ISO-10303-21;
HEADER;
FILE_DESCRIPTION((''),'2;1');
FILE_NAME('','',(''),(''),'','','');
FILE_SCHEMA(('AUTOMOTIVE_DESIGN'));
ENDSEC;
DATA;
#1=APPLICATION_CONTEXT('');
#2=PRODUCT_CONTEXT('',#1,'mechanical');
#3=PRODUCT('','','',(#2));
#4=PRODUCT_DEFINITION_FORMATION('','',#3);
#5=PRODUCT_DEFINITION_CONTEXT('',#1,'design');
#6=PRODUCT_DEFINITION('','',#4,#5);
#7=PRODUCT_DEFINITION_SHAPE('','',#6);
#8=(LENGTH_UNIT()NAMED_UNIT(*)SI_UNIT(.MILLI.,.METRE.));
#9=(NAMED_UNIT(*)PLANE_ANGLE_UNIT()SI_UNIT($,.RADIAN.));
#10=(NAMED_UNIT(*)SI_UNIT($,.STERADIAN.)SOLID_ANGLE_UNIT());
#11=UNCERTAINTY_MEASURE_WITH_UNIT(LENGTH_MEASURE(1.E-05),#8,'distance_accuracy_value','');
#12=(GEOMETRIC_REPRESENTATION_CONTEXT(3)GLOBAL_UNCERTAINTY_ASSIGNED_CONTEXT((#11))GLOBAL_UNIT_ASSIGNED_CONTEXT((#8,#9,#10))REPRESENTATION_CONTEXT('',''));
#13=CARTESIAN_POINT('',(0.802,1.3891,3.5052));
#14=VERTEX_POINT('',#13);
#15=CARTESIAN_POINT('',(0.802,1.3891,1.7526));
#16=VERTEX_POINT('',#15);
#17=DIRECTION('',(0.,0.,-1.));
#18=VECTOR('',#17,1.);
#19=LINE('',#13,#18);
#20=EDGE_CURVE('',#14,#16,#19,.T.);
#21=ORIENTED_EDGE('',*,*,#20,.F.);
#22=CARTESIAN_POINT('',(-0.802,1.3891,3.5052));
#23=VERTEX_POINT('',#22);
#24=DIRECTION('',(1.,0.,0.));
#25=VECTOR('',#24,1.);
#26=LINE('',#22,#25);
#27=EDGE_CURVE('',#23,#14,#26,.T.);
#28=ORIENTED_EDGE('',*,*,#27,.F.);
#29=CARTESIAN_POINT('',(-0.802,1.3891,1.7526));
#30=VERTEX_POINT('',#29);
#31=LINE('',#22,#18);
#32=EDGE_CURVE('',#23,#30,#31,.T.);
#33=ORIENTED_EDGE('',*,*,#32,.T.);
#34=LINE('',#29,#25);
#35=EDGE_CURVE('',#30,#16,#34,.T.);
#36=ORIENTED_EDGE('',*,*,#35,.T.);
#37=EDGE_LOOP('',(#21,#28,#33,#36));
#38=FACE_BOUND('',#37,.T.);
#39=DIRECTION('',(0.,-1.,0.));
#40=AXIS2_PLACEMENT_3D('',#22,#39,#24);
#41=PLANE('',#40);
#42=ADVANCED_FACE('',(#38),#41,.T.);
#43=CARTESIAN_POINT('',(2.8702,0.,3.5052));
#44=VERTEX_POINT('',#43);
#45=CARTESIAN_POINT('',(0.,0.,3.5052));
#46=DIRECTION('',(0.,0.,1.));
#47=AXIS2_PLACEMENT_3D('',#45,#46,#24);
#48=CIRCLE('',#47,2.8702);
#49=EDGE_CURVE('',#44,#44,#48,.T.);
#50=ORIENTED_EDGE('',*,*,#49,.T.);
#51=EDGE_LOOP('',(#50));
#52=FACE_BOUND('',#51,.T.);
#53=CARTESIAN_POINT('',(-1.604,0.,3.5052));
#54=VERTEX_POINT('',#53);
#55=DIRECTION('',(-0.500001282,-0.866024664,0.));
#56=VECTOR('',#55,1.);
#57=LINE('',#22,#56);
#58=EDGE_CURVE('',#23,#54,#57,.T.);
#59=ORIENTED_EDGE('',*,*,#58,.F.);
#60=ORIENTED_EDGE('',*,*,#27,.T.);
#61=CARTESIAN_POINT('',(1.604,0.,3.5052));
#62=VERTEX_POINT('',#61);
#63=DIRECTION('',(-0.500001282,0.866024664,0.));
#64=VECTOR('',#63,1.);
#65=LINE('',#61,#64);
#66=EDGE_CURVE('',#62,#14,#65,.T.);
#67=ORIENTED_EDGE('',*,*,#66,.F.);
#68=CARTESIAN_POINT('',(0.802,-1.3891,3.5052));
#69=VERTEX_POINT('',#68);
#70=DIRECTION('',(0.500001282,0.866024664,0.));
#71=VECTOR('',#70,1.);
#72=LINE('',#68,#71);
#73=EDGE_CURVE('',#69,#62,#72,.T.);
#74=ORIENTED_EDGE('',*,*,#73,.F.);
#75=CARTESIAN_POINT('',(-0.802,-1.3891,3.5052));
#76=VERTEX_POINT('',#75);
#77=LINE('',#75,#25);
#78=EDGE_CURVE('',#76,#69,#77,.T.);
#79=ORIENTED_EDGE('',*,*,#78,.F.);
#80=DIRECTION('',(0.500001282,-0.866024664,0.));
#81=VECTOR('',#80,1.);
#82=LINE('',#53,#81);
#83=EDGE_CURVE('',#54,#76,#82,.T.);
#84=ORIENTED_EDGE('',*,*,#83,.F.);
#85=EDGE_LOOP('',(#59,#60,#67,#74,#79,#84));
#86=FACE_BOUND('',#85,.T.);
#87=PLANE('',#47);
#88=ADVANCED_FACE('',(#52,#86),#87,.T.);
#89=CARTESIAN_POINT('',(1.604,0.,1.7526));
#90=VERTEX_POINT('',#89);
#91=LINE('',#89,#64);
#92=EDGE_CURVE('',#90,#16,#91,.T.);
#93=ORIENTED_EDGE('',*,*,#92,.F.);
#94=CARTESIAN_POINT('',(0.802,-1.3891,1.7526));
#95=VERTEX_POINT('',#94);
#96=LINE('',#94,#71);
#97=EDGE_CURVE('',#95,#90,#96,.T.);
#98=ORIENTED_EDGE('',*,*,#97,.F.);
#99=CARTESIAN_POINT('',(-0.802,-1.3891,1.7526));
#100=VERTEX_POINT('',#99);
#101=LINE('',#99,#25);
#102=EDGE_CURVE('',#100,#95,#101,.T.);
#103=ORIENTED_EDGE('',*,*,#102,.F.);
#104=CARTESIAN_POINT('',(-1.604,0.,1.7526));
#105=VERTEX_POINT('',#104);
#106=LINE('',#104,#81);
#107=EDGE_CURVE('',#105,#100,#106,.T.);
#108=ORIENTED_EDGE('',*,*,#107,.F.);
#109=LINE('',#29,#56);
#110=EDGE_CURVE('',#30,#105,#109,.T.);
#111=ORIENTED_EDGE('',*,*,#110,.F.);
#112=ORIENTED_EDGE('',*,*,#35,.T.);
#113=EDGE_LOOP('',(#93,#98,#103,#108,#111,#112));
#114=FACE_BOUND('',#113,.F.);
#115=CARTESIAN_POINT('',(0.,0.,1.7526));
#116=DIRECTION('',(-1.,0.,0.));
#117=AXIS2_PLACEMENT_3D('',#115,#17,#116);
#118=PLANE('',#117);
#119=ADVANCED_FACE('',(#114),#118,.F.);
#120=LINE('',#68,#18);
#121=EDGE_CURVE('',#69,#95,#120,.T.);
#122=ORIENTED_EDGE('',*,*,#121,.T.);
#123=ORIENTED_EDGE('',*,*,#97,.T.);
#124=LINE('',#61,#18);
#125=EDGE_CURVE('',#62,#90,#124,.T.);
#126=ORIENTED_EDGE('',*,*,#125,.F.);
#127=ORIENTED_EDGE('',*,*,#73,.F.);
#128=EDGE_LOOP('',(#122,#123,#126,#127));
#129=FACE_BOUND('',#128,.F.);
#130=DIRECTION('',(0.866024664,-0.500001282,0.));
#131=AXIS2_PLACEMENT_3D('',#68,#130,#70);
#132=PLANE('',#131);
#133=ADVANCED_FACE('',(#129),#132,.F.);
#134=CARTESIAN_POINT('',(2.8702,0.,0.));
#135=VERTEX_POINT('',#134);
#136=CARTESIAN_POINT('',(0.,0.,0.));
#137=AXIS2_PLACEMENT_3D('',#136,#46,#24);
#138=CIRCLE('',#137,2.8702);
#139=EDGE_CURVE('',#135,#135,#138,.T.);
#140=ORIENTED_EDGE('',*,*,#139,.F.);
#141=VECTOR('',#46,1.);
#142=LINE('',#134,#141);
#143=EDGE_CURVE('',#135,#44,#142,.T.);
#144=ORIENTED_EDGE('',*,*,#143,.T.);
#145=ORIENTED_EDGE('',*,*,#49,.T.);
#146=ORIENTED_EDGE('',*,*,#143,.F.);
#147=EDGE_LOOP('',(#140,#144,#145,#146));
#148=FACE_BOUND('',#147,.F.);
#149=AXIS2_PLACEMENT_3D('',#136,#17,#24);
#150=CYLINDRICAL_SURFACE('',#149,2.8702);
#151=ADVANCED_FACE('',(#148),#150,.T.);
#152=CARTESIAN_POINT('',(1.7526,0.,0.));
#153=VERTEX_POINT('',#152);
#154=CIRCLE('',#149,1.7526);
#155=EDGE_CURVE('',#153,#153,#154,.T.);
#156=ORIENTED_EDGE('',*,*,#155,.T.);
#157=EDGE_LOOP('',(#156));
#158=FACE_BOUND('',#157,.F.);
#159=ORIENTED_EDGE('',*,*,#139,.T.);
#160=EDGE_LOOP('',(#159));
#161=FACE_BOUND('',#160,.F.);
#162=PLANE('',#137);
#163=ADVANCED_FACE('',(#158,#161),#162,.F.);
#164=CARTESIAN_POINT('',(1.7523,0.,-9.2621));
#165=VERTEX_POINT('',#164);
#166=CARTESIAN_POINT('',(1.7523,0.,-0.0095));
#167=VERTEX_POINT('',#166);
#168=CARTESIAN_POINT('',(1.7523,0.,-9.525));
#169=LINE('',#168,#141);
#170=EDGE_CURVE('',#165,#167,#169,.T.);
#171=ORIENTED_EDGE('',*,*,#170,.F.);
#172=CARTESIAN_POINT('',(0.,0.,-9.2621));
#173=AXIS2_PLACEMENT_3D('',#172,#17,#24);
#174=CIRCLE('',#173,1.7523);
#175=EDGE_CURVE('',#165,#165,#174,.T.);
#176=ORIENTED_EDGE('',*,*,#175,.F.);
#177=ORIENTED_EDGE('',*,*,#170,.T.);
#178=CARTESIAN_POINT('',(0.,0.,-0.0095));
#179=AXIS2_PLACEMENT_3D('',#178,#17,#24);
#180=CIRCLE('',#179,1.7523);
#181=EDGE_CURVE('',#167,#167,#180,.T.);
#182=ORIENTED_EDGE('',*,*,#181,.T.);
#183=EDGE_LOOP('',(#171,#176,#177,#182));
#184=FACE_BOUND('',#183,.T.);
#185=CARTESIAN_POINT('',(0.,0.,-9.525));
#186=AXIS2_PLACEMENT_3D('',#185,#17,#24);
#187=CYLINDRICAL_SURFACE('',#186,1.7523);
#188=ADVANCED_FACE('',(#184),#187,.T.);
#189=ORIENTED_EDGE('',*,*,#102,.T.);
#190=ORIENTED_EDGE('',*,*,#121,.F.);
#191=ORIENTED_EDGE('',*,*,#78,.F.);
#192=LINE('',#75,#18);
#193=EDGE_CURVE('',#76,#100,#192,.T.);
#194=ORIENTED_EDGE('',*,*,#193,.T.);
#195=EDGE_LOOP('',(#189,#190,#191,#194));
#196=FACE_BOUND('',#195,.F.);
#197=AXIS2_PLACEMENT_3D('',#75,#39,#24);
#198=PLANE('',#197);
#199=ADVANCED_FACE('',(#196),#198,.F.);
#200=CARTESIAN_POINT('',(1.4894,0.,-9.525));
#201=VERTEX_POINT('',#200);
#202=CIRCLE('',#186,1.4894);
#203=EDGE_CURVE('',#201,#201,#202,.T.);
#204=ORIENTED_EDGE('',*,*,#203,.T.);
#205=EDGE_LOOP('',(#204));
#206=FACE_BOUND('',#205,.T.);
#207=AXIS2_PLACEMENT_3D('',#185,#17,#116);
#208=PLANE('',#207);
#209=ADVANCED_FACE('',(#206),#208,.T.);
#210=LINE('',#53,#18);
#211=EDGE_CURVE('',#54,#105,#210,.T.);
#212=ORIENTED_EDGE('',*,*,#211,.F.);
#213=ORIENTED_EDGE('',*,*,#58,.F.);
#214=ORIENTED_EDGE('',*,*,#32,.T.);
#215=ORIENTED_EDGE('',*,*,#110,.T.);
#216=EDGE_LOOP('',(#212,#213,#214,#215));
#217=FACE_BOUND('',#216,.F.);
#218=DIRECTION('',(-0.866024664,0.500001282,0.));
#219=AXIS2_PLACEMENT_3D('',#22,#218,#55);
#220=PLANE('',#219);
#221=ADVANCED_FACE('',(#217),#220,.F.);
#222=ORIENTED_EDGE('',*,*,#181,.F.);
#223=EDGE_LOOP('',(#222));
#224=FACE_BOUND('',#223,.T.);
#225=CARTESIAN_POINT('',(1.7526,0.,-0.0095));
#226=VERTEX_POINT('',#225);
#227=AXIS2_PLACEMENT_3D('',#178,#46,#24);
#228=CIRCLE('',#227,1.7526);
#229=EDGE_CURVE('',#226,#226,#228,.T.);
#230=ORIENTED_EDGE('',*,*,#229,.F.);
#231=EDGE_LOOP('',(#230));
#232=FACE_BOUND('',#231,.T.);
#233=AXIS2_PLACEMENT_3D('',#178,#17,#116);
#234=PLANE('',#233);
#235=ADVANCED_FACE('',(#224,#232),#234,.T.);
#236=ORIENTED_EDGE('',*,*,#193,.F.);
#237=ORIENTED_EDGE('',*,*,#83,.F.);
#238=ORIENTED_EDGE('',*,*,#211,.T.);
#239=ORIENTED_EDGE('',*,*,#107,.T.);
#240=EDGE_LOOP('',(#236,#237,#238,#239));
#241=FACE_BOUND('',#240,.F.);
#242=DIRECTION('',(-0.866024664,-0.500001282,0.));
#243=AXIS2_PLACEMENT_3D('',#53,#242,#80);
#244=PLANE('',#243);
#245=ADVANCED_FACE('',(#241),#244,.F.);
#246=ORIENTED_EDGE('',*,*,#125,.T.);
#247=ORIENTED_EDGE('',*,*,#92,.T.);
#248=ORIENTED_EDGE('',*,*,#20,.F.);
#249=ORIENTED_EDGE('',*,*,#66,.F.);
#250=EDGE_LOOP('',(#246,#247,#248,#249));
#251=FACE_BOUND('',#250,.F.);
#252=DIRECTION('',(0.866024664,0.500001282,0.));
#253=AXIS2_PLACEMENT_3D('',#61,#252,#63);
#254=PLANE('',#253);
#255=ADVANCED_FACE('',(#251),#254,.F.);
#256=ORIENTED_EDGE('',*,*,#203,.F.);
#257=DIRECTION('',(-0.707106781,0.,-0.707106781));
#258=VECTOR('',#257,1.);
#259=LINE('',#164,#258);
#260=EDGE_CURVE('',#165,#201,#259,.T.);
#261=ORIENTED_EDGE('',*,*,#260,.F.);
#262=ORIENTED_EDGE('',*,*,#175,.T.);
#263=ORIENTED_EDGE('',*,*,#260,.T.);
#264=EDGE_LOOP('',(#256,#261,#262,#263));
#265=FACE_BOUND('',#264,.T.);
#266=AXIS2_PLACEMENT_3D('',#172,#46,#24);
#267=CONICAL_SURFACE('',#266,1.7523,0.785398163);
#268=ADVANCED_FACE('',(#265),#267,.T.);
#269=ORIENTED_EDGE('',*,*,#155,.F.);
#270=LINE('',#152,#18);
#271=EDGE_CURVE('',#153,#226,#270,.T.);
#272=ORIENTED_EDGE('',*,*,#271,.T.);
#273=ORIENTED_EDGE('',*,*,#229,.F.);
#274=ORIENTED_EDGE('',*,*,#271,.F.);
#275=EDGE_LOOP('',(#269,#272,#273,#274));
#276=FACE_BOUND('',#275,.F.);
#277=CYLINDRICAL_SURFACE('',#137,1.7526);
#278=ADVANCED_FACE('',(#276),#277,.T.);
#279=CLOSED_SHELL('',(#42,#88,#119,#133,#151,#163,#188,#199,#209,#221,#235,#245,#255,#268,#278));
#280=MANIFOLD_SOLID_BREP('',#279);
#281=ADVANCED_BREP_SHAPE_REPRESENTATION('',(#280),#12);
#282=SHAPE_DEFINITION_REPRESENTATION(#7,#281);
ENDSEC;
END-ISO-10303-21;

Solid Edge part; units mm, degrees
sketch "Sketch1" plane through (0, 0, 0) normal (0, 0, 1) x (1, 0, 0)
  circle A0 centre (0, 0) radius 2.8702
  dimension "D1" = 5.7404
extrude "Protrusion1" add sketch "Sketch1" along normal blind 3.5052
sketch "Sketch2" plane through (0, 0, 0) normal (0, 0, -1) x (1, 0, 0)
  circle A0 centre (0, 0) radius 1.7526
extrude "Protrusion2" add sketch "Sketch2" along normal blind 9.525
sketch "Sketch3" plane through (0, 0, -9.525) normal (0, 0, -1) x (1, 0, 0)
  circle A0 centre (0, 0) radius 1.7523
extrude "Cutout1" cut sketch "Sketch3" against normal blind 9.5155 flip side to cut
chamfer "Chamfer_1" distance 0.2629 angle 45 1 edges at (-1.7523, 0, -9.525)
sketch "Sketch4" plane through (0, 0, 3.5052) normal (0, 0, 1) x (1, 0, 0)
  line L0 (-0.802, 1.3891) -> (0.802, 1.3891)
  line L1 (1.604, 0) -> (0.802, 1.3891)
  line L2 (0.802, -1.3891) -> (1.604, 0)
  line L3 (-0.802, -1.3891) -> (0.802, -1.3891)
  line L4 (-1.604, 0) -> (-0.802, -1.3891)
  line L5 (-0.802, 1.3891) -> (-1.604, 0)
  dimension "D1" = 2.7781
extrude "Cutout2" cut sketch "Sketch4" against normal blind 1.7526
properties part number "219986"
